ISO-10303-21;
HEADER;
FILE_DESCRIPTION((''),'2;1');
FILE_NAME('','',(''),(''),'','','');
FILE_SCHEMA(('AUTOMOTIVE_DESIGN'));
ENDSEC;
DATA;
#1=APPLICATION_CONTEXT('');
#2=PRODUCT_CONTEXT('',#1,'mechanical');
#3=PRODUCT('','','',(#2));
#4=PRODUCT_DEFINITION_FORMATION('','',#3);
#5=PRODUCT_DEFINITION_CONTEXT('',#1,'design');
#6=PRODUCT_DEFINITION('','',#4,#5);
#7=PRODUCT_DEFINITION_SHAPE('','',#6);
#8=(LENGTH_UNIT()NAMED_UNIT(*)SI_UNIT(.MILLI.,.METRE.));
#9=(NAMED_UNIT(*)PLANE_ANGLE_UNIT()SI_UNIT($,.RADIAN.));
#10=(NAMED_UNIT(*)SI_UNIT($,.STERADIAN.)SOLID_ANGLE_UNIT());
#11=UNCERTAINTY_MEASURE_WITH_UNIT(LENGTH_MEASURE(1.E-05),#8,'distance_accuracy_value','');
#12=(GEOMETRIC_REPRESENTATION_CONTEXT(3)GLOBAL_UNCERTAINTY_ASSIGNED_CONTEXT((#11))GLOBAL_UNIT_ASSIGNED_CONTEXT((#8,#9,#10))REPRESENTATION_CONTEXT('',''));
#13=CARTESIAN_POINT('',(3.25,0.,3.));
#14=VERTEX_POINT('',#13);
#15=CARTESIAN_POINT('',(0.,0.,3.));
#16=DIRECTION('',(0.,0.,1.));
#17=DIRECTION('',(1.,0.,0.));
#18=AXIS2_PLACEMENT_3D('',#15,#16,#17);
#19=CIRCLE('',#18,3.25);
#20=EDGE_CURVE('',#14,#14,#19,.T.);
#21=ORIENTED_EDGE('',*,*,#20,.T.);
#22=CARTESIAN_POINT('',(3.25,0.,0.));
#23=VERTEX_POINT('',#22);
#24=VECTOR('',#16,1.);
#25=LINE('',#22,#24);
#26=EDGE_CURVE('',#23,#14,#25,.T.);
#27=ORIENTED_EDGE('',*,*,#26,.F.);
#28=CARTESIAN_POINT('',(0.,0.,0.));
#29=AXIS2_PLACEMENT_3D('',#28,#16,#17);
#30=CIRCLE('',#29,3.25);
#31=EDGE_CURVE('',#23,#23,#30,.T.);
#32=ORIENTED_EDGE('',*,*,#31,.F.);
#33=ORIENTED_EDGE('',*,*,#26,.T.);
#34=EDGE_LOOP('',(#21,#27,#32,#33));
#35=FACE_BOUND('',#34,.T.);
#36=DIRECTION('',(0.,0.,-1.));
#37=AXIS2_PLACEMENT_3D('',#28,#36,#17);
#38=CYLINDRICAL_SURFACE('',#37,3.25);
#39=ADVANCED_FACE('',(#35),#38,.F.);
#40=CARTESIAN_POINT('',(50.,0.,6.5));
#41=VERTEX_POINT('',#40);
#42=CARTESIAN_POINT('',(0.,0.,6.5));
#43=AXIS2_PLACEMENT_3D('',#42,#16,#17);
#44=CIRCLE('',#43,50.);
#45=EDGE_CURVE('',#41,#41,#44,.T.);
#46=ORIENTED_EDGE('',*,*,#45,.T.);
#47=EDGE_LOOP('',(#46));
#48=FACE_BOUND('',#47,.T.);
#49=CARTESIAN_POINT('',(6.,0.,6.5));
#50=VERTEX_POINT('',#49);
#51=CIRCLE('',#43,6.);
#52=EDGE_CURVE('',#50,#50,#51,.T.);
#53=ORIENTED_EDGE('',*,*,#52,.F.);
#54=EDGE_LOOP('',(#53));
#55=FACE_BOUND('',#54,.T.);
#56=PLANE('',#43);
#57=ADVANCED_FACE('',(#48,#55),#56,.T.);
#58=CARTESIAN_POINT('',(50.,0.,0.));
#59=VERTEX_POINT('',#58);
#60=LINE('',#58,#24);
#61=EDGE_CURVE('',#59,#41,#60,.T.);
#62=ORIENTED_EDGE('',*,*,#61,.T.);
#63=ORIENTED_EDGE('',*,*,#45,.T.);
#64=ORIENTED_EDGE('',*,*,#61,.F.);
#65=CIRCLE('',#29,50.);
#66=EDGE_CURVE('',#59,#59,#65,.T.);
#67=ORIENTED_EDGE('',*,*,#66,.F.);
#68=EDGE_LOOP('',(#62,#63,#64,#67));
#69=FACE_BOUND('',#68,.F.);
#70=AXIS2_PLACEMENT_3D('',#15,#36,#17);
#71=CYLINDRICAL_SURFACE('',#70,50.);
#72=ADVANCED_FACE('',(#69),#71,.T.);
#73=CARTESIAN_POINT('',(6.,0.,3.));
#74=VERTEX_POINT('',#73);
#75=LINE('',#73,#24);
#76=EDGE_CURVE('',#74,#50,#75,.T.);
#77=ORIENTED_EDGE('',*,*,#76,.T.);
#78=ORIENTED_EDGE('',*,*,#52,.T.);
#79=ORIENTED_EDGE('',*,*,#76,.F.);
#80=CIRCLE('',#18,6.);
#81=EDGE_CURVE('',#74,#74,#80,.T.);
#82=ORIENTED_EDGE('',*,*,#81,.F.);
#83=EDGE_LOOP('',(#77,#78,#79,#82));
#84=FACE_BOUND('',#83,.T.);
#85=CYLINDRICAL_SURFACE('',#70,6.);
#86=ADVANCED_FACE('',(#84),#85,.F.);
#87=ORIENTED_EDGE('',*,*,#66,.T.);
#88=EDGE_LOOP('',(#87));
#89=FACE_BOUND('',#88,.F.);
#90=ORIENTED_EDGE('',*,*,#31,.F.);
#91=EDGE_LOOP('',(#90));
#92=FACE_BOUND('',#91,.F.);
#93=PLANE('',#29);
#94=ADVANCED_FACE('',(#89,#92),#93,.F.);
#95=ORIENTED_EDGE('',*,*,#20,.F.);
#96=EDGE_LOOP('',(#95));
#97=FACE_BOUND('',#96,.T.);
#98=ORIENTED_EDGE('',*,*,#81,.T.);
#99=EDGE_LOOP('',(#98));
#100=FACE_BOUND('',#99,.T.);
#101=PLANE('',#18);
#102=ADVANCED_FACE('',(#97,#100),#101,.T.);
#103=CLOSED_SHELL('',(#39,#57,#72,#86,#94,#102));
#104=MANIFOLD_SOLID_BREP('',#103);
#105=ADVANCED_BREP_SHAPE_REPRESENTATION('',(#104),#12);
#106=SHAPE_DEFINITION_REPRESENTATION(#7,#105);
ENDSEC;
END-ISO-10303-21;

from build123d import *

# Parameters (mm, degrees)
F0_R     = 50
F0_R_2   = 45
F0_R_3   = 3.25
F1_DEPTH = 3
F2_R     = 50
F2_R_2   = 6
F3_DEPTH = 3.5


with BuildPart() as f1:
    # F0 (on Top) → F1 (new body)
    with BuildSketch(Plane.XY):
        Circle(F0_R)
        Circle(F0_R_2, mode=Mode.SUBTRACT)
        Circle(F0_R_2)
        Circle(F0_R_3, mode=Mode.SUBTRACT)
    extrude(amount=F1_DEPTH)

    # F2 (on face) → F3 (join)
    with BuildSketch(Plane.XY.offset(3)):
        Circle(F2_R)
        Circle(F2_R_2, mode=Mode.SUBTRACT)
    extrude(amount=F3_DEPTH)


solid = f1.part
